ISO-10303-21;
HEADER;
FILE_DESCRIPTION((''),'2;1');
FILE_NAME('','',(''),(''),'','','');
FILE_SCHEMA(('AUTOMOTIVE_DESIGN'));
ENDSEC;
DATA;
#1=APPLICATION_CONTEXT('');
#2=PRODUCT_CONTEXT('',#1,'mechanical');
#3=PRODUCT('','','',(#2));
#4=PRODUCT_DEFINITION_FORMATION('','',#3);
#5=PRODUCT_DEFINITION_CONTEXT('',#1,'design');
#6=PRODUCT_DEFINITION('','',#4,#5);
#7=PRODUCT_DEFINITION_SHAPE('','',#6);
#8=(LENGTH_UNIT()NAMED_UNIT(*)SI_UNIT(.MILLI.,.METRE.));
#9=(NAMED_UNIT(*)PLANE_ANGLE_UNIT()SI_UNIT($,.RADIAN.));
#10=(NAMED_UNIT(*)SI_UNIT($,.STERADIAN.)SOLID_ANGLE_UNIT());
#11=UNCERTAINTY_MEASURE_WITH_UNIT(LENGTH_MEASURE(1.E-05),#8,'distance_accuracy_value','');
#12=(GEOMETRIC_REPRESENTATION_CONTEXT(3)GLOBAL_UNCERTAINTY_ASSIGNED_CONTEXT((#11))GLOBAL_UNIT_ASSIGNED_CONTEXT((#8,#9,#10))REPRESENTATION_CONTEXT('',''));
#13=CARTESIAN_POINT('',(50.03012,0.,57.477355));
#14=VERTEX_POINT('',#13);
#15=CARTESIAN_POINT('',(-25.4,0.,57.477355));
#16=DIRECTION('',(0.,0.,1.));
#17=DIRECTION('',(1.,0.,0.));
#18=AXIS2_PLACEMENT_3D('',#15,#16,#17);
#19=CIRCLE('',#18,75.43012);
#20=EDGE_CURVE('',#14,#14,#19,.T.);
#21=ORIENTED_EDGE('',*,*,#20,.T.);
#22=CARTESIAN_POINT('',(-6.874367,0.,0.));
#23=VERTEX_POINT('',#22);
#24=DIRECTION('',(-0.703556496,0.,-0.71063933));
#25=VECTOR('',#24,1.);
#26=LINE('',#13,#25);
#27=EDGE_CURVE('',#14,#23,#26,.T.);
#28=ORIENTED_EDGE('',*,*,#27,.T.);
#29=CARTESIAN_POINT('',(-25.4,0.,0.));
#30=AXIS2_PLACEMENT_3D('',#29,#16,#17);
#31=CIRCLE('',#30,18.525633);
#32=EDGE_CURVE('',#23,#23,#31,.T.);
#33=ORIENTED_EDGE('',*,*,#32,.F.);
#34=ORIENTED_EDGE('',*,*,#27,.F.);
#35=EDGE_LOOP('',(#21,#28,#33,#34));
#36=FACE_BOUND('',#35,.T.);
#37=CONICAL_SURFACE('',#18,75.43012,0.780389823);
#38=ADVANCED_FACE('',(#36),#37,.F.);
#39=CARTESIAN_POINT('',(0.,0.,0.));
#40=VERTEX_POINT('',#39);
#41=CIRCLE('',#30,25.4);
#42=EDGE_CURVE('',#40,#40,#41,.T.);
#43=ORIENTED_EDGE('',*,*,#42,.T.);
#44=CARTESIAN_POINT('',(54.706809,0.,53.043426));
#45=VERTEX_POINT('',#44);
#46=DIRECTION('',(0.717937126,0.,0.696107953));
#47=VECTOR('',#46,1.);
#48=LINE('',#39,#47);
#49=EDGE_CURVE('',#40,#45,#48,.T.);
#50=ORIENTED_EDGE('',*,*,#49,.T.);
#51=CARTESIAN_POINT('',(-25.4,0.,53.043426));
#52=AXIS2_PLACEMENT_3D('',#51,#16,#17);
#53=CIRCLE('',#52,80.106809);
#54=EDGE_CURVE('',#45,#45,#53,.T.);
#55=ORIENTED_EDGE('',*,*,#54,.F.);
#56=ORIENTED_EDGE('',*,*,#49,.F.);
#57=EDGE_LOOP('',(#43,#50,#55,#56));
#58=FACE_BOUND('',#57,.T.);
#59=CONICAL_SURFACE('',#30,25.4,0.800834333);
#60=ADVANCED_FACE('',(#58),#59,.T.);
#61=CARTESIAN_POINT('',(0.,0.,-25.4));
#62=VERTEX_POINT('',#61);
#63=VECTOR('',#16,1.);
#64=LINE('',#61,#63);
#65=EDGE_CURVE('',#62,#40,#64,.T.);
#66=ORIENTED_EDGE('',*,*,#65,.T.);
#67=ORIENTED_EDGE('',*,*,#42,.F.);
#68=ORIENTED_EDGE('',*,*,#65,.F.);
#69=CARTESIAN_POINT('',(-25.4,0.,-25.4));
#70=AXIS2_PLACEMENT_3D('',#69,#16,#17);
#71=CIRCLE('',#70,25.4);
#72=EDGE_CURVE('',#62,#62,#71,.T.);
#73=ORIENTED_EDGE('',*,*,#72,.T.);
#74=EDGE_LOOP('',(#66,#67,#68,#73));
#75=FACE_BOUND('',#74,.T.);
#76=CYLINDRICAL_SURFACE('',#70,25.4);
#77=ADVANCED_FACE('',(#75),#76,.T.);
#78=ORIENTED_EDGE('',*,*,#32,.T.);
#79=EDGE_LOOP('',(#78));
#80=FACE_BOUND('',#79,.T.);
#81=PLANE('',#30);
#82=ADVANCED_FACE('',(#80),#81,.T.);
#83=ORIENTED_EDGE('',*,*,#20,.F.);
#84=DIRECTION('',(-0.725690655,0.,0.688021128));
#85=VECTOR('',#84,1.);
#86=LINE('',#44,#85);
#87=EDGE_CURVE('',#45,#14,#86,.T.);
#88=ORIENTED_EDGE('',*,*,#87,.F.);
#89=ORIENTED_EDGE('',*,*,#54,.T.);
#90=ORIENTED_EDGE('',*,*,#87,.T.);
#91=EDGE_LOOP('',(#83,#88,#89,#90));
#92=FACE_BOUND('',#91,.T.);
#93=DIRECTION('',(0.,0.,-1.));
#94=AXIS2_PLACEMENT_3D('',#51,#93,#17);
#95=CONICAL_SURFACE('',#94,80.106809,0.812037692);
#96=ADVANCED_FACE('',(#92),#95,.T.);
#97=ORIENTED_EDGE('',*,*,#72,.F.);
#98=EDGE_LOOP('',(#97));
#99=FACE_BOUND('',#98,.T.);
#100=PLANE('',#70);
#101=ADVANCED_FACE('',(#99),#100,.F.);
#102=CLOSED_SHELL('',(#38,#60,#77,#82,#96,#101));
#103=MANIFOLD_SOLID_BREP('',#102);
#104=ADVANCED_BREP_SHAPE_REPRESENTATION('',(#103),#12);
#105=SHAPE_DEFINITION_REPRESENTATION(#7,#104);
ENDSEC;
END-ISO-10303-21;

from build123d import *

# Parameters (mm, degrees)
F2_R     = 22.893433
F3_DEPTH = 101.6


with BuildPart() as f1:
    # F0 (on Front) → F1 (revolve)
    with BuildSketch(Plane.XZ):
        Polygon((0, -25.4), (0, 0), (54.706809, 53.043426), (50.03012, 57.477355), (-6.874367, 0), (-25.4, 0), (-25.4, -25.4), align=None)
    revolve(axis=Axis((-25.4, 0, -12.7), (0, 0, 1)))

    # F2 (on face) → F3 (cut)
    with BuildSketch(Plane(origin=(0, 0, -25.4), x_dir=(1, 0, 0), z_dir=(0, 0, -1))):
        with Locations((-25.4, 0)):
            Circle(F2_R)
    extrude(amount=F3_DEPTH, mode=Mode.SUBTRACT)


solid = f1.part
